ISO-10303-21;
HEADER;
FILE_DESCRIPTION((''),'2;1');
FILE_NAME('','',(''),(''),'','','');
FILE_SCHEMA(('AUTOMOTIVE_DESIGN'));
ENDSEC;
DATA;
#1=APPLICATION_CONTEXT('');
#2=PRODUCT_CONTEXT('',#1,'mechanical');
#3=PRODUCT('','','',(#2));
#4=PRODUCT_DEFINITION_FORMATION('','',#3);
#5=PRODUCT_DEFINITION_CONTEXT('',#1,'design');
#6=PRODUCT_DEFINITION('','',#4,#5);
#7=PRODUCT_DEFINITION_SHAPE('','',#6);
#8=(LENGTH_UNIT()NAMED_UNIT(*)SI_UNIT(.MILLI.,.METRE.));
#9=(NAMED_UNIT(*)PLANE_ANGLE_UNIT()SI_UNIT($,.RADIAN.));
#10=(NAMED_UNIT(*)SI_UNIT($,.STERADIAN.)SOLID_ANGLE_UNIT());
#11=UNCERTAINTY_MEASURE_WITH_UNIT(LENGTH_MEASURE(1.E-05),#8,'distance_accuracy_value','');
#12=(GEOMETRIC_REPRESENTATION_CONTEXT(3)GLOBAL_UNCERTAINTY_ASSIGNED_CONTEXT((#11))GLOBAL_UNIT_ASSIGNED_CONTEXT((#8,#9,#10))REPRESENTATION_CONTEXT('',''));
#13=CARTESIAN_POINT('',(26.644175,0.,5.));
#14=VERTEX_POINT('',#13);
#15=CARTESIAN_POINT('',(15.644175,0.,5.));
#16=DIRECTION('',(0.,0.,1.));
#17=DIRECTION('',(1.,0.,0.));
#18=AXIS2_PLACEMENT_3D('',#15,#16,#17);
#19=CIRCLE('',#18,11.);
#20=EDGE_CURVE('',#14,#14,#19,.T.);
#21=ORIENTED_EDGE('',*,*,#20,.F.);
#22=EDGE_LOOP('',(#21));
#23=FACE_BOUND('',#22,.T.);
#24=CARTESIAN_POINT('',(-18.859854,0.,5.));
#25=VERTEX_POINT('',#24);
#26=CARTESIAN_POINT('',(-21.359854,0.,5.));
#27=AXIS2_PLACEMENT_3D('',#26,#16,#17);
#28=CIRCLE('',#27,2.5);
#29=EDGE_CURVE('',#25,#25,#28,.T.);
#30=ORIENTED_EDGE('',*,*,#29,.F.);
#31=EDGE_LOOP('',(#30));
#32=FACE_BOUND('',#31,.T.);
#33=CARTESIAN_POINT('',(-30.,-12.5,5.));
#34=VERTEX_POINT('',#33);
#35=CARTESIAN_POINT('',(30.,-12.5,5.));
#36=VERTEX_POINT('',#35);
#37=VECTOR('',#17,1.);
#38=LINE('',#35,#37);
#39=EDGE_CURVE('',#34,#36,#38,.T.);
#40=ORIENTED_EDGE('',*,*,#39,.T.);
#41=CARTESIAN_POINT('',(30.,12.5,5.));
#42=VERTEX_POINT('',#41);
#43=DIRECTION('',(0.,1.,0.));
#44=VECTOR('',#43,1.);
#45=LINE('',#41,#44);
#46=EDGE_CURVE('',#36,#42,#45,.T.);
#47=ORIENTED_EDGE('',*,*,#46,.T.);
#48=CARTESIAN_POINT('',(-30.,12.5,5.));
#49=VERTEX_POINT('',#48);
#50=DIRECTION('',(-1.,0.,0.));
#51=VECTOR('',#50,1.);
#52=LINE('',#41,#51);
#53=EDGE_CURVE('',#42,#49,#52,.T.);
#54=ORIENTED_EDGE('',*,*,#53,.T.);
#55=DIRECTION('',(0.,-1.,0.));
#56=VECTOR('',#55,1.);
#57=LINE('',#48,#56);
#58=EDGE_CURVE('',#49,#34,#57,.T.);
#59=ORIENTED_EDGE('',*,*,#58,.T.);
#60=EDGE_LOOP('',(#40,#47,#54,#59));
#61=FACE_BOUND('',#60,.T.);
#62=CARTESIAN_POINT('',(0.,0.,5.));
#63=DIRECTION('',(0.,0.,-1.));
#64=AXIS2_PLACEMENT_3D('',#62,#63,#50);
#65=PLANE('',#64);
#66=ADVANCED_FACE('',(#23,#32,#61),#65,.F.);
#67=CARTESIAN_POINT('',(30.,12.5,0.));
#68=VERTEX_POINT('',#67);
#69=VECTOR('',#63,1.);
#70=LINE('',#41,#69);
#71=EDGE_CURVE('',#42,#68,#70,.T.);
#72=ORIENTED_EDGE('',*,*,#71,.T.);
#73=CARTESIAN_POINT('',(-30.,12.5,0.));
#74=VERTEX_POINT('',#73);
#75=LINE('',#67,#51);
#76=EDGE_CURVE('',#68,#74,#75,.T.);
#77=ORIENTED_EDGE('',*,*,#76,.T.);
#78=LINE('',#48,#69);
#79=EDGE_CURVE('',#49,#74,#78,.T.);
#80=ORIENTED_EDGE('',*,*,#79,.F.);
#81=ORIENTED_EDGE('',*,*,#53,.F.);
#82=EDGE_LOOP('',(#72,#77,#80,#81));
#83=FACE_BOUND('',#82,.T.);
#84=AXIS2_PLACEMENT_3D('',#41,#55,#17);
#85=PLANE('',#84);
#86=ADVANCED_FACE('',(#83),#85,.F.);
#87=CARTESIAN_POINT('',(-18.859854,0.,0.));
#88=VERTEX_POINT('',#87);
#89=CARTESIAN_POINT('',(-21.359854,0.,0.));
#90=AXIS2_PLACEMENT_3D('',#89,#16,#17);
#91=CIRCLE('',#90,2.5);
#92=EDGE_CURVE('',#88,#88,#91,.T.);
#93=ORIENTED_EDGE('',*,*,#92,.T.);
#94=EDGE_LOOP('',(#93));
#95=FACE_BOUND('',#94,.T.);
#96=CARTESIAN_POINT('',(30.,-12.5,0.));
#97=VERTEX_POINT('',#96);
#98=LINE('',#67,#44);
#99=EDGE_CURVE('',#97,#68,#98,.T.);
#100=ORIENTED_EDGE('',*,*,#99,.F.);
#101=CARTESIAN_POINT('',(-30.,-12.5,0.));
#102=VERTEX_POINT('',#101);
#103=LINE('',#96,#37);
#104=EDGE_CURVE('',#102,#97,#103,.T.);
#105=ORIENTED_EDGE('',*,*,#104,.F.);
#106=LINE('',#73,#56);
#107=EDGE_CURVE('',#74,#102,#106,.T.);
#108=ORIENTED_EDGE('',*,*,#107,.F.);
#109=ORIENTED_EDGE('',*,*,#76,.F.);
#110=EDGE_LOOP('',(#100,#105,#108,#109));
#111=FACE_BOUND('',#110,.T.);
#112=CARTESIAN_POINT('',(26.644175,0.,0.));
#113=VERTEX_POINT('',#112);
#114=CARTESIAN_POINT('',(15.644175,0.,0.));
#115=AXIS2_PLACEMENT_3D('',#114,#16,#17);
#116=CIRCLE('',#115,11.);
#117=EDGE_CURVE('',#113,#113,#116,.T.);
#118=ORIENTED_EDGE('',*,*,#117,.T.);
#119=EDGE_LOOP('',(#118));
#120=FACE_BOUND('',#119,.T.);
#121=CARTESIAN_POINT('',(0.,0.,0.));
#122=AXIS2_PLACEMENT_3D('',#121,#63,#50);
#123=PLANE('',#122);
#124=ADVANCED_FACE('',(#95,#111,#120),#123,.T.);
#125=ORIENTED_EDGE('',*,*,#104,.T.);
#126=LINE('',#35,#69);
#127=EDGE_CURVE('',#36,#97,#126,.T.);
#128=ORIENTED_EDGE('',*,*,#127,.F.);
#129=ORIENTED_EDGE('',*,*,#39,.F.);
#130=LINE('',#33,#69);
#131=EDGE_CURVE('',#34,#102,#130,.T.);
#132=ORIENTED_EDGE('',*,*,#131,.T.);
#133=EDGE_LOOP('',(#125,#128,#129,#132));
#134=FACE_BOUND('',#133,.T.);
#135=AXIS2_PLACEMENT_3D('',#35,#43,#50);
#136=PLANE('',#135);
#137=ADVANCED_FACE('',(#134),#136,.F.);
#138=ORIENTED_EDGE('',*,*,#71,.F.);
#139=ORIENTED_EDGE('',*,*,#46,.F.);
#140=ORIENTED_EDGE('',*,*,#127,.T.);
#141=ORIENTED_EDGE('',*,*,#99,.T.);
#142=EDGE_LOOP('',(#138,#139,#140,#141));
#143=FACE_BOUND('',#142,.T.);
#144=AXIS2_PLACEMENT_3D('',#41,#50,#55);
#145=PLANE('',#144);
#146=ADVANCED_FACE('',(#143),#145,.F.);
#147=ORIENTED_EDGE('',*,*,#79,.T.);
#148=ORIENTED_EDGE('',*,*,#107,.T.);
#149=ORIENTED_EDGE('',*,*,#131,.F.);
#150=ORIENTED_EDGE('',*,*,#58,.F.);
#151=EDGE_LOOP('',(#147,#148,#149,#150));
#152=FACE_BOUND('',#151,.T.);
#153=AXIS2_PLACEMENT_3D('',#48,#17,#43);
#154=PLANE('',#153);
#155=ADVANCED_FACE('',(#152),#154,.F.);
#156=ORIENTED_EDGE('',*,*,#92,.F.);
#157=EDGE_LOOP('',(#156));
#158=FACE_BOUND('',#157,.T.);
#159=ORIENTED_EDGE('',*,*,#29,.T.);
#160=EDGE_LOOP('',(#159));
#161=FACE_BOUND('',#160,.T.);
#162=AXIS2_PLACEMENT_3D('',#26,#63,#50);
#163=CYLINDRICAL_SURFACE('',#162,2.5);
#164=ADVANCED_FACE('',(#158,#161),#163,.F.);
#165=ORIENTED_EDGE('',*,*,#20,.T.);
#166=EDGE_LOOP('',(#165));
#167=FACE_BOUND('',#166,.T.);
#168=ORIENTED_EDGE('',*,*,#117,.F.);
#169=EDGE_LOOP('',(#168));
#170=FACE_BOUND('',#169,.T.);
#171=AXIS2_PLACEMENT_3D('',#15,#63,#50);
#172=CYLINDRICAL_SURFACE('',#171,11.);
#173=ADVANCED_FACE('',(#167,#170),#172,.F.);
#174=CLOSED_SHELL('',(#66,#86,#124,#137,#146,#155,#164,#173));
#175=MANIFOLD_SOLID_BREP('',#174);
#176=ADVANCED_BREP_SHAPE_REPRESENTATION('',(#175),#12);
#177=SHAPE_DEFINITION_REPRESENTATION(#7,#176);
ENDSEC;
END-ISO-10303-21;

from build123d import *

# Parameters (mm, degrees)
SKETCH1_W           = 60
SKETCH1_H           = 25
SKETCH1_R           = 2.5
SKETCH1_R_2         = 11
BOSS_EXTRUDE2_DEPTH = 5


with BuildPart() as part:
    # Sketch1 → Boss-Extrude2 (new body)
    with BuildSketch(Plane.XY):
        Rectangle(SKETCH1_W, SKETCH1_H)
        with Locations((-21.359853693, 0)):
            Circle(SKETCH1_R, mode=Mode.SUBTRACT)
        with Locations((15.644174596, 0)):
            Circle(SKETCH1_R_2, mode=Mode.SUBTRACT)
    extrude(amount=BOSS_EXTRUDE2_DEPTH)


solid = part.part
